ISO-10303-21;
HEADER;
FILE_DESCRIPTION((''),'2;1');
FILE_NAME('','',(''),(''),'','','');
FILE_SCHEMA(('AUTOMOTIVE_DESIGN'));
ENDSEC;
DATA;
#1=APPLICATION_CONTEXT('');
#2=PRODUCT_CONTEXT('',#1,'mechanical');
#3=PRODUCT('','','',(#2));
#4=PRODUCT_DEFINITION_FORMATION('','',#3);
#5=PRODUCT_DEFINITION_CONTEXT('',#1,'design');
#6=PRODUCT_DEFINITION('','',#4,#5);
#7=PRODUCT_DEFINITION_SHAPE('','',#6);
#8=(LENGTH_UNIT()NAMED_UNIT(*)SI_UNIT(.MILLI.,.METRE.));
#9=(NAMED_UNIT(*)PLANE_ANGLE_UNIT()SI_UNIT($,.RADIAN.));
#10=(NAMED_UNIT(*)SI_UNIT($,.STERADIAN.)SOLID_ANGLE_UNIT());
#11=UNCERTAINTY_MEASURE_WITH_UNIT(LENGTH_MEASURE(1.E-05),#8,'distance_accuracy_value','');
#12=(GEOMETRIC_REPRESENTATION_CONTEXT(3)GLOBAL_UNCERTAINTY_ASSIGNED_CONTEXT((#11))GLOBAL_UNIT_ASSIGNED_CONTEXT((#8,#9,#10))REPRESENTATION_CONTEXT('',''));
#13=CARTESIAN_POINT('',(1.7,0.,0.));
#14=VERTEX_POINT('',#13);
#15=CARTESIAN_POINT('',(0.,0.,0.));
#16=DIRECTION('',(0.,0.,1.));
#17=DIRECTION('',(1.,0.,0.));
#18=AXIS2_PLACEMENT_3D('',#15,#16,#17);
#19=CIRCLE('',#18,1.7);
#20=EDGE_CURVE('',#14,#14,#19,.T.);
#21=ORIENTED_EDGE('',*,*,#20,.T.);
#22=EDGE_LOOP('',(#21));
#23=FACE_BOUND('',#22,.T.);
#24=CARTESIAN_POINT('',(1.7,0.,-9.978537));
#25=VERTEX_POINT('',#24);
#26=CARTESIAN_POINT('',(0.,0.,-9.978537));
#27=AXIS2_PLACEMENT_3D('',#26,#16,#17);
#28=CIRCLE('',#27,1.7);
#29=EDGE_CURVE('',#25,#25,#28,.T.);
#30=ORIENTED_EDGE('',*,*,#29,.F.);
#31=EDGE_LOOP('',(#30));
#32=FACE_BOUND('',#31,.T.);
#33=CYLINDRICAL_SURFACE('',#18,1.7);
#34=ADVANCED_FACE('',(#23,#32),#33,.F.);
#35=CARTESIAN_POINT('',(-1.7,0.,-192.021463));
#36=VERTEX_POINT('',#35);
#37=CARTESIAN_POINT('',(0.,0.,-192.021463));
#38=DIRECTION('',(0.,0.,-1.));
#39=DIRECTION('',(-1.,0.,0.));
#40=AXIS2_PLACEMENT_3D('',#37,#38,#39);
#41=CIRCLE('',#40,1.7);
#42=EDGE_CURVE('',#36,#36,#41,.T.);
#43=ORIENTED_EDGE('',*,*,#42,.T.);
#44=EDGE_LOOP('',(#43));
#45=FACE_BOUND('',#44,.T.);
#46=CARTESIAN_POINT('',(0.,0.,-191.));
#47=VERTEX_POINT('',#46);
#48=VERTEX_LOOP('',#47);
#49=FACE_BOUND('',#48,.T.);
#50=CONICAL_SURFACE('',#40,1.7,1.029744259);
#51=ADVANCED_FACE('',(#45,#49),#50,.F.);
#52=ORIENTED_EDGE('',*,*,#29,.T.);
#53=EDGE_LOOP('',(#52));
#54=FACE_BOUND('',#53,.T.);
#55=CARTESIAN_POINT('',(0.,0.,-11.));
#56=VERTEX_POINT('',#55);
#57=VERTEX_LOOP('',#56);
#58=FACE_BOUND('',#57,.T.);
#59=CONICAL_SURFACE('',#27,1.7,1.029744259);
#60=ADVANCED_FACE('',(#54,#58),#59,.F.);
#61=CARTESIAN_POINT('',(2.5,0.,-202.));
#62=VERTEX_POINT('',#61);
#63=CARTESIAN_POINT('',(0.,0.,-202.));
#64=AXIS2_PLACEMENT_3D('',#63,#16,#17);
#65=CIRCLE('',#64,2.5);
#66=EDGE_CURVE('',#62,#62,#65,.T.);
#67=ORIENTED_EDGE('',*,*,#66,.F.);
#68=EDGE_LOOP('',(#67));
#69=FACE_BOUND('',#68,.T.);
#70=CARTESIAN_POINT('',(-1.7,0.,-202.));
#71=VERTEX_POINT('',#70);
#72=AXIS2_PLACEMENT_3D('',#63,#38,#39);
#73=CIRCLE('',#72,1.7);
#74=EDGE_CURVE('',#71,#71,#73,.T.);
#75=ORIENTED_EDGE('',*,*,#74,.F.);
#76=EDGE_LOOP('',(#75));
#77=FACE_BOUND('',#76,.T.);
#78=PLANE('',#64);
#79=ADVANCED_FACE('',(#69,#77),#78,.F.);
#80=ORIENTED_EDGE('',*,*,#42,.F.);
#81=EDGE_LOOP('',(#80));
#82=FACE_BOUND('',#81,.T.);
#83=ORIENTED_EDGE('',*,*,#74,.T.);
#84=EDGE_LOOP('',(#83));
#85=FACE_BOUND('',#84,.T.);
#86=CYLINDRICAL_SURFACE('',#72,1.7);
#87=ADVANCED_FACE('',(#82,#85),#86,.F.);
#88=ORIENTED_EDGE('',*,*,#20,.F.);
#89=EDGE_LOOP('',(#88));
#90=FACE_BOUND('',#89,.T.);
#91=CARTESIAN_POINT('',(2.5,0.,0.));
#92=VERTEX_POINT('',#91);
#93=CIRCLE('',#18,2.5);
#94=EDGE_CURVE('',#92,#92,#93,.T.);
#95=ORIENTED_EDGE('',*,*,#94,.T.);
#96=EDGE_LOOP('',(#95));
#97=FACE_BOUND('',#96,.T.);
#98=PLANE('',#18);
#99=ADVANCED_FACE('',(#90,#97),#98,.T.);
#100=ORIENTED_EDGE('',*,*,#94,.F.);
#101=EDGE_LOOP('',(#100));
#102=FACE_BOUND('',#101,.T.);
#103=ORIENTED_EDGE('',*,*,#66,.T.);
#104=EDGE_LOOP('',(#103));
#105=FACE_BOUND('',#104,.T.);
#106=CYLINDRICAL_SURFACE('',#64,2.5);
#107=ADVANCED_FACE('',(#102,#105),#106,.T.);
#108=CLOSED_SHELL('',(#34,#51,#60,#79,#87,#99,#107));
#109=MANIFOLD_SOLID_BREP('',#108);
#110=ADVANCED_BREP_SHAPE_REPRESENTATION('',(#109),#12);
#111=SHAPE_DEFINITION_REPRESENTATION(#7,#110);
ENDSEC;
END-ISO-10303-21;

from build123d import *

# Parameters (mm, degrees)
SCHIZZO1_R                   = 2.5
ESTRUSIONE_ESTRUSIONE1_DEPTH = 202
FORO_PER_VITE_M3_1_D         = 3.4
FORO_PER_VITE_M3_1_DEPTH     = 9.978536948
FORO_PER_VITE_M3_1_TIP       = 1.021463052
FORO_PER_VITE_M3_2_D         = 3.4
FORO_PER_VITE_M3_2_DEPTH     = 9.978536948
FORO_PER_VITE_M3_2_TIP       = 1.021463052


with BuildPart() as part:
    # Schizzo1 → Estrusione-Estrusione1 (new body)
    with BuildSketch(Plane.XY):
        Circle(SCHIZZO1_R)
    extrude(amount=-ESTRUSIONE_ESTRUSIONE1_DEPTH)

    # Foro per Vite M3-1
    with Locations(Plane.XY):
        with Locations((0, 0)):
            Hole(FORO_PER_VITE_M3_1_D / 2, depth=FORO_PER_VITE_M3_1_DEPTH)
            with Locations((0, 0, -(FORO_PER_VITE_M3_1_DEPTH + FORO_PER_VITE_M3_1_TIP / 2))):  # 118° drill point
                Cone(0, FORO_PER_VITE_M3_1_D / 2, FORO_PER_VITE_M3_1_TIP, mode=Mode.SUBTRACT)

    # Foro per Vite M3-2
    with Locations(Plane(origin=(0, 0, -202), x_dir=(-1, 0, 0), z_dir=(0, 0, -1))):
        with Locations((0, 0)):
            Hole(FORO_PER_VITE_M3_2_D / 2, depth=FORO_PER_VITE_M3_2_DEPTH)
            with Locations((0, 0, -(FORO_PER_VITE_M3_2_DEPTH + FORO_PER_VITE_M3_2_TIP / 2))):  # 118° drill point
                Cone(0, FORO_PER_VITE_M3_2_D / 2, FORO_PER_VITE_M3_2_TIP, mode=Mode.SUBTRACT)


solid = part.part
